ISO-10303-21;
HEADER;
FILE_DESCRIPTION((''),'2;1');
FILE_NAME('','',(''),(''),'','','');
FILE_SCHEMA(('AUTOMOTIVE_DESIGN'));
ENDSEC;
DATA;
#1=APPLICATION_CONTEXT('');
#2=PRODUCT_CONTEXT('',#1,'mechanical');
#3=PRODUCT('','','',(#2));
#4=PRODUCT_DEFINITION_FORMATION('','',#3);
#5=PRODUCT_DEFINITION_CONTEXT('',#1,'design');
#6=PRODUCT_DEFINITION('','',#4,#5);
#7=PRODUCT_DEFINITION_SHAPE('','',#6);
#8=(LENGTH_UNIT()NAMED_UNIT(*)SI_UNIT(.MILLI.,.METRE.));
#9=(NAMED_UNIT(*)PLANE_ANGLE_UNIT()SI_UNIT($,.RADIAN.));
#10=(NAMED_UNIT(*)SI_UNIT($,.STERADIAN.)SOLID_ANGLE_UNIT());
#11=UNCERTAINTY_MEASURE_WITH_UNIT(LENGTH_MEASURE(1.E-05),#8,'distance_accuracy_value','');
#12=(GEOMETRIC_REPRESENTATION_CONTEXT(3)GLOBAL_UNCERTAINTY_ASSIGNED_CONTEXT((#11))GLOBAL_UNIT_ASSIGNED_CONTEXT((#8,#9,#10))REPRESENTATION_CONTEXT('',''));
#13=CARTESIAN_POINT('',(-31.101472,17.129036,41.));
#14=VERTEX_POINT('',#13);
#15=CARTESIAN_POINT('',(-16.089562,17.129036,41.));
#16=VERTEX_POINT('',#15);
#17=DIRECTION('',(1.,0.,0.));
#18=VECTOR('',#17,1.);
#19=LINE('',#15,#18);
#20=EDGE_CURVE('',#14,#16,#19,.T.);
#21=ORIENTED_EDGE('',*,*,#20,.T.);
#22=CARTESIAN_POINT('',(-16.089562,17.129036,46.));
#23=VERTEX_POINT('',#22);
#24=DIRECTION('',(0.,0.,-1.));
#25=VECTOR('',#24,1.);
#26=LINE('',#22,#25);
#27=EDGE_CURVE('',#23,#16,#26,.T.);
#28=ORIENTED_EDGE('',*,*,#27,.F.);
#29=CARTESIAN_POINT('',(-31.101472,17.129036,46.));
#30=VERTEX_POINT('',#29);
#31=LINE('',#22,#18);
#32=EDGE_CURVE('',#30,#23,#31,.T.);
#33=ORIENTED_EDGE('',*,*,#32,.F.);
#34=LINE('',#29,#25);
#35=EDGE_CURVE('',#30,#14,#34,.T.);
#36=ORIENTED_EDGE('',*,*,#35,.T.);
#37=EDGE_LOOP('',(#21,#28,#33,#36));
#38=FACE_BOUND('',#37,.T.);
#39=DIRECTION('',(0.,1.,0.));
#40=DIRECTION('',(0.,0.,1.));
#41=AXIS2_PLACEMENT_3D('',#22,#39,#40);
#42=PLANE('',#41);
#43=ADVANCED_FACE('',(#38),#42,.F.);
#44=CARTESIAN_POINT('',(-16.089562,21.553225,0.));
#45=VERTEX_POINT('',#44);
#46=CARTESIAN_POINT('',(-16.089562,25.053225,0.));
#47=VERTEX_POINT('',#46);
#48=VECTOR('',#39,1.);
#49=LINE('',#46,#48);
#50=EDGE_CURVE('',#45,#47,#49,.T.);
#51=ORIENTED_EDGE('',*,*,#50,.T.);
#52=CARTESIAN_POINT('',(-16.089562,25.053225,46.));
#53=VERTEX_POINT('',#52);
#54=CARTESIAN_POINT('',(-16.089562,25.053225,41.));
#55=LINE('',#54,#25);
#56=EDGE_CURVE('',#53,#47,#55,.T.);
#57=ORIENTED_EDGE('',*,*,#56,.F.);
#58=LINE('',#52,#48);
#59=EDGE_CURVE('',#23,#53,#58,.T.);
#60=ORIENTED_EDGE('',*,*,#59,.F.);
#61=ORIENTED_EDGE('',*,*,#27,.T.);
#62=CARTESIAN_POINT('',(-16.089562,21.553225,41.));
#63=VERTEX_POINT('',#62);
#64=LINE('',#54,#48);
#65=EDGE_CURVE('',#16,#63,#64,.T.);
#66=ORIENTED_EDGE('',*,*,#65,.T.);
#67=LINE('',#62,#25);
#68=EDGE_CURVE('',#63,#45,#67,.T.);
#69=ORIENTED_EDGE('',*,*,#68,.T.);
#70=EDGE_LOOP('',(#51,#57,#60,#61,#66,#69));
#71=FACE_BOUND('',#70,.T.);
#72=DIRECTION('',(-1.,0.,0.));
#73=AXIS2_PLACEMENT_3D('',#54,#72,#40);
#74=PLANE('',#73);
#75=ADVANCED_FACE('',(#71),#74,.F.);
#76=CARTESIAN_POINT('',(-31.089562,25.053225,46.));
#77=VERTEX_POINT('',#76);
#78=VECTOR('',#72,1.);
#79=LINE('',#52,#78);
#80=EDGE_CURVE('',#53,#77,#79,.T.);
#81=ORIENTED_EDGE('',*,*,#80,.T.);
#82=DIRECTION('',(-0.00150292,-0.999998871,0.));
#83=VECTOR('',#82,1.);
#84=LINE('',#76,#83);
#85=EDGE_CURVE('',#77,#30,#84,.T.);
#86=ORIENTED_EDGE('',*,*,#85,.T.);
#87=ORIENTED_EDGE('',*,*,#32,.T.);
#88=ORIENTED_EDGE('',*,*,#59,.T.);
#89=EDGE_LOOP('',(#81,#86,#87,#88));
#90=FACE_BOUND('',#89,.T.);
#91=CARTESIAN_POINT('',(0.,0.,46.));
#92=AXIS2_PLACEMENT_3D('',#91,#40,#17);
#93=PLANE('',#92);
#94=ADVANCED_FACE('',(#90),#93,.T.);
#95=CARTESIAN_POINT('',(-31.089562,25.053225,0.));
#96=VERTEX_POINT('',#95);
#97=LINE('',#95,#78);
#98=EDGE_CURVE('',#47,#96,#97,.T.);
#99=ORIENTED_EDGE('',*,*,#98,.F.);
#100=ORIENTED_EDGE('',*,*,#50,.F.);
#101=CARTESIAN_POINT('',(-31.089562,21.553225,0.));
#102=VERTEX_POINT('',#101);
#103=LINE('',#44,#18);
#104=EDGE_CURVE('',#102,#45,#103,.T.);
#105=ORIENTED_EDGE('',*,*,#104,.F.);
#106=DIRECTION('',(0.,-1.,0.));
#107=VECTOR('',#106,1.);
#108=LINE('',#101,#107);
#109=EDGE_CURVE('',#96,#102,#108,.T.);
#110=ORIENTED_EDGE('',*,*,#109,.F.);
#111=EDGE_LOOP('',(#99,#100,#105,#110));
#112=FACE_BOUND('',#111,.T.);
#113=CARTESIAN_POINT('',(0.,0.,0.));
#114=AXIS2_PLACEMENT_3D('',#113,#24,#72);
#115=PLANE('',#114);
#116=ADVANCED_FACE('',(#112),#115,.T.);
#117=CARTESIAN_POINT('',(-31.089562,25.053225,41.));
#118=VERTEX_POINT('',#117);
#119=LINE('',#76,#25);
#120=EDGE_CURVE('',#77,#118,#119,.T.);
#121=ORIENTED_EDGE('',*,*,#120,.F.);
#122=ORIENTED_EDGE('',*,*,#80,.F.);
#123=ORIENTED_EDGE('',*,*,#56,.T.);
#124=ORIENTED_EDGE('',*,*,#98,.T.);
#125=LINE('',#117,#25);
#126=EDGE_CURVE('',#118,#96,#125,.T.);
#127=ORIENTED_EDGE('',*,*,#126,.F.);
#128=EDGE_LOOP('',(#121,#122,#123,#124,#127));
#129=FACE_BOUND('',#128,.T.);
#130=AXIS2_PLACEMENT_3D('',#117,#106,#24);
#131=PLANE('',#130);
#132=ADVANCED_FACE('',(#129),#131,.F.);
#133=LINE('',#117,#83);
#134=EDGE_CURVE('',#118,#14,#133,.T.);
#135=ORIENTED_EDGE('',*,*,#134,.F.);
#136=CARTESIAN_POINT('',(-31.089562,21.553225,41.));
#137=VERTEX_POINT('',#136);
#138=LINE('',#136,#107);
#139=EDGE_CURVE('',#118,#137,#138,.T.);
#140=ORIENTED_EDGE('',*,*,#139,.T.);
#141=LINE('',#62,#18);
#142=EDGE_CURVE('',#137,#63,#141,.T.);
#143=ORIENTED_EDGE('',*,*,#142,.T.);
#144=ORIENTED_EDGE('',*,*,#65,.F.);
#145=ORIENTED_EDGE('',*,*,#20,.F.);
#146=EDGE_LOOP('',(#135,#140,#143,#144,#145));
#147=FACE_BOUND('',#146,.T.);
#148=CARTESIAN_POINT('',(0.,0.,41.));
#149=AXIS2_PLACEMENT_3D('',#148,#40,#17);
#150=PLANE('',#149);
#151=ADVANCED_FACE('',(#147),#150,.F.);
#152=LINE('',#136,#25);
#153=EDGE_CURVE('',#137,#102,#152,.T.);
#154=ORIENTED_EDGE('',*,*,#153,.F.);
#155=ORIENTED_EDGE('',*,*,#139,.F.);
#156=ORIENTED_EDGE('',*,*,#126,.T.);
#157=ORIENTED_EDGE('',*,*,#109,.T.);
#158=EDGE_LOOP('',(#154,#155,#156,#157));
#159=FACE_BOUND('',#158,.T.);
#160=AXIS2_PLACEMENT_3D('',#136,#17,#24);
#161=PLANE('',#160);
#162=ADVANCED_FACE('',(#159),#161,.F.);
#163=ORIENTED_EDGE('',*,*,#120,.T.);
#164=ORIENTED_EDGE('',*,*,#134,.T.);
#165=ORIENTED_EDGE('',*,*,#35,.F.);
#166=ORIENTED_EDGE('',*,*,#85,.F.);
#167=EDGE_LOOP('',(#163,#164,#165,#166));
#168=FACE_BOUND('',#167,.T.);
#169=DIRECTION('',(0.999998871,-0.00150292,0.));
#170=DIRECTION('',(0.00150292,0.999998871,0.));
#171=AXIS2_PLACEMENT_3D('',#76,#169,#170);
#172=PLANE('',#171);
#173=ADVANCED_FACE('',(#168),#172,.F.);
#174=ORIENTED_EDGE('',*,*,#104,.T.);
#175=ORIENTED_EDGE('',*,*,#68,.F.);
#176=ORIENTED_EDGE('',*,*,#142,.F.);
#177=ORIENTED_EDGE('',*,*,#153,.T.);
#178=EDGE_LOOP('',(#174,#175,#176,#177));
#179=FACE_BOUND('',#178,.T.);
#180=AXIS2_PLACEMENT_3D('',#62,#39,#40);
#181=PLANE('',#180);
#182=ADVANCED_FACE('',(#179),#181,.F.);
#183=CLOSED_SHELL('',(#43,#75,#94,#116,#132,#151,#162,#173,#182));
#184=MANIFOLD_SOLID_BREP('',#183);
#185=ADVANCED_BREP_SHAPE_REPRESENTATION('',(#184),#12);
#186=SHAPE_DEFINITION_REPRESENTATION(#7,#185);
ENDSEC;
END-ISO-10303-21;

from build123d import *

# Parameters (mm, degrees)
CROQUIS1_W              = 15
CROQUIS1_H              = 3.5
SALIENTE_EXTRUIR1_DEPTH = 41
SALIENTE_EXTRUIR3_DEPTH = 5


with BuildPart() as part:
    # Croquis1 → Saliente-Extruir1 (new body)
    with BuildSketch(Plane.XY):
        with Locations((-23.589562337, 23.303225109)):
            Rectangle(CROQUIS1_W, CROQUIS1_H)
    extrude(amount=SALIENTE_EXTRUIR1_DEPTH)

    # Croquis2 → Saliente-Extruir3 (add)
    with BuildSketch(Plane.XY.offset(41)):
        Polygon((-31.089562337, 25.053225109), (-31.101471771, 17.12903643), (-16.089562337, 17.12903643), (-16.089562337, 25.053225109), align=None)
    extrude(amount=SALIENTE_EXTRUIR3_DEPTH)


solid = part.part
